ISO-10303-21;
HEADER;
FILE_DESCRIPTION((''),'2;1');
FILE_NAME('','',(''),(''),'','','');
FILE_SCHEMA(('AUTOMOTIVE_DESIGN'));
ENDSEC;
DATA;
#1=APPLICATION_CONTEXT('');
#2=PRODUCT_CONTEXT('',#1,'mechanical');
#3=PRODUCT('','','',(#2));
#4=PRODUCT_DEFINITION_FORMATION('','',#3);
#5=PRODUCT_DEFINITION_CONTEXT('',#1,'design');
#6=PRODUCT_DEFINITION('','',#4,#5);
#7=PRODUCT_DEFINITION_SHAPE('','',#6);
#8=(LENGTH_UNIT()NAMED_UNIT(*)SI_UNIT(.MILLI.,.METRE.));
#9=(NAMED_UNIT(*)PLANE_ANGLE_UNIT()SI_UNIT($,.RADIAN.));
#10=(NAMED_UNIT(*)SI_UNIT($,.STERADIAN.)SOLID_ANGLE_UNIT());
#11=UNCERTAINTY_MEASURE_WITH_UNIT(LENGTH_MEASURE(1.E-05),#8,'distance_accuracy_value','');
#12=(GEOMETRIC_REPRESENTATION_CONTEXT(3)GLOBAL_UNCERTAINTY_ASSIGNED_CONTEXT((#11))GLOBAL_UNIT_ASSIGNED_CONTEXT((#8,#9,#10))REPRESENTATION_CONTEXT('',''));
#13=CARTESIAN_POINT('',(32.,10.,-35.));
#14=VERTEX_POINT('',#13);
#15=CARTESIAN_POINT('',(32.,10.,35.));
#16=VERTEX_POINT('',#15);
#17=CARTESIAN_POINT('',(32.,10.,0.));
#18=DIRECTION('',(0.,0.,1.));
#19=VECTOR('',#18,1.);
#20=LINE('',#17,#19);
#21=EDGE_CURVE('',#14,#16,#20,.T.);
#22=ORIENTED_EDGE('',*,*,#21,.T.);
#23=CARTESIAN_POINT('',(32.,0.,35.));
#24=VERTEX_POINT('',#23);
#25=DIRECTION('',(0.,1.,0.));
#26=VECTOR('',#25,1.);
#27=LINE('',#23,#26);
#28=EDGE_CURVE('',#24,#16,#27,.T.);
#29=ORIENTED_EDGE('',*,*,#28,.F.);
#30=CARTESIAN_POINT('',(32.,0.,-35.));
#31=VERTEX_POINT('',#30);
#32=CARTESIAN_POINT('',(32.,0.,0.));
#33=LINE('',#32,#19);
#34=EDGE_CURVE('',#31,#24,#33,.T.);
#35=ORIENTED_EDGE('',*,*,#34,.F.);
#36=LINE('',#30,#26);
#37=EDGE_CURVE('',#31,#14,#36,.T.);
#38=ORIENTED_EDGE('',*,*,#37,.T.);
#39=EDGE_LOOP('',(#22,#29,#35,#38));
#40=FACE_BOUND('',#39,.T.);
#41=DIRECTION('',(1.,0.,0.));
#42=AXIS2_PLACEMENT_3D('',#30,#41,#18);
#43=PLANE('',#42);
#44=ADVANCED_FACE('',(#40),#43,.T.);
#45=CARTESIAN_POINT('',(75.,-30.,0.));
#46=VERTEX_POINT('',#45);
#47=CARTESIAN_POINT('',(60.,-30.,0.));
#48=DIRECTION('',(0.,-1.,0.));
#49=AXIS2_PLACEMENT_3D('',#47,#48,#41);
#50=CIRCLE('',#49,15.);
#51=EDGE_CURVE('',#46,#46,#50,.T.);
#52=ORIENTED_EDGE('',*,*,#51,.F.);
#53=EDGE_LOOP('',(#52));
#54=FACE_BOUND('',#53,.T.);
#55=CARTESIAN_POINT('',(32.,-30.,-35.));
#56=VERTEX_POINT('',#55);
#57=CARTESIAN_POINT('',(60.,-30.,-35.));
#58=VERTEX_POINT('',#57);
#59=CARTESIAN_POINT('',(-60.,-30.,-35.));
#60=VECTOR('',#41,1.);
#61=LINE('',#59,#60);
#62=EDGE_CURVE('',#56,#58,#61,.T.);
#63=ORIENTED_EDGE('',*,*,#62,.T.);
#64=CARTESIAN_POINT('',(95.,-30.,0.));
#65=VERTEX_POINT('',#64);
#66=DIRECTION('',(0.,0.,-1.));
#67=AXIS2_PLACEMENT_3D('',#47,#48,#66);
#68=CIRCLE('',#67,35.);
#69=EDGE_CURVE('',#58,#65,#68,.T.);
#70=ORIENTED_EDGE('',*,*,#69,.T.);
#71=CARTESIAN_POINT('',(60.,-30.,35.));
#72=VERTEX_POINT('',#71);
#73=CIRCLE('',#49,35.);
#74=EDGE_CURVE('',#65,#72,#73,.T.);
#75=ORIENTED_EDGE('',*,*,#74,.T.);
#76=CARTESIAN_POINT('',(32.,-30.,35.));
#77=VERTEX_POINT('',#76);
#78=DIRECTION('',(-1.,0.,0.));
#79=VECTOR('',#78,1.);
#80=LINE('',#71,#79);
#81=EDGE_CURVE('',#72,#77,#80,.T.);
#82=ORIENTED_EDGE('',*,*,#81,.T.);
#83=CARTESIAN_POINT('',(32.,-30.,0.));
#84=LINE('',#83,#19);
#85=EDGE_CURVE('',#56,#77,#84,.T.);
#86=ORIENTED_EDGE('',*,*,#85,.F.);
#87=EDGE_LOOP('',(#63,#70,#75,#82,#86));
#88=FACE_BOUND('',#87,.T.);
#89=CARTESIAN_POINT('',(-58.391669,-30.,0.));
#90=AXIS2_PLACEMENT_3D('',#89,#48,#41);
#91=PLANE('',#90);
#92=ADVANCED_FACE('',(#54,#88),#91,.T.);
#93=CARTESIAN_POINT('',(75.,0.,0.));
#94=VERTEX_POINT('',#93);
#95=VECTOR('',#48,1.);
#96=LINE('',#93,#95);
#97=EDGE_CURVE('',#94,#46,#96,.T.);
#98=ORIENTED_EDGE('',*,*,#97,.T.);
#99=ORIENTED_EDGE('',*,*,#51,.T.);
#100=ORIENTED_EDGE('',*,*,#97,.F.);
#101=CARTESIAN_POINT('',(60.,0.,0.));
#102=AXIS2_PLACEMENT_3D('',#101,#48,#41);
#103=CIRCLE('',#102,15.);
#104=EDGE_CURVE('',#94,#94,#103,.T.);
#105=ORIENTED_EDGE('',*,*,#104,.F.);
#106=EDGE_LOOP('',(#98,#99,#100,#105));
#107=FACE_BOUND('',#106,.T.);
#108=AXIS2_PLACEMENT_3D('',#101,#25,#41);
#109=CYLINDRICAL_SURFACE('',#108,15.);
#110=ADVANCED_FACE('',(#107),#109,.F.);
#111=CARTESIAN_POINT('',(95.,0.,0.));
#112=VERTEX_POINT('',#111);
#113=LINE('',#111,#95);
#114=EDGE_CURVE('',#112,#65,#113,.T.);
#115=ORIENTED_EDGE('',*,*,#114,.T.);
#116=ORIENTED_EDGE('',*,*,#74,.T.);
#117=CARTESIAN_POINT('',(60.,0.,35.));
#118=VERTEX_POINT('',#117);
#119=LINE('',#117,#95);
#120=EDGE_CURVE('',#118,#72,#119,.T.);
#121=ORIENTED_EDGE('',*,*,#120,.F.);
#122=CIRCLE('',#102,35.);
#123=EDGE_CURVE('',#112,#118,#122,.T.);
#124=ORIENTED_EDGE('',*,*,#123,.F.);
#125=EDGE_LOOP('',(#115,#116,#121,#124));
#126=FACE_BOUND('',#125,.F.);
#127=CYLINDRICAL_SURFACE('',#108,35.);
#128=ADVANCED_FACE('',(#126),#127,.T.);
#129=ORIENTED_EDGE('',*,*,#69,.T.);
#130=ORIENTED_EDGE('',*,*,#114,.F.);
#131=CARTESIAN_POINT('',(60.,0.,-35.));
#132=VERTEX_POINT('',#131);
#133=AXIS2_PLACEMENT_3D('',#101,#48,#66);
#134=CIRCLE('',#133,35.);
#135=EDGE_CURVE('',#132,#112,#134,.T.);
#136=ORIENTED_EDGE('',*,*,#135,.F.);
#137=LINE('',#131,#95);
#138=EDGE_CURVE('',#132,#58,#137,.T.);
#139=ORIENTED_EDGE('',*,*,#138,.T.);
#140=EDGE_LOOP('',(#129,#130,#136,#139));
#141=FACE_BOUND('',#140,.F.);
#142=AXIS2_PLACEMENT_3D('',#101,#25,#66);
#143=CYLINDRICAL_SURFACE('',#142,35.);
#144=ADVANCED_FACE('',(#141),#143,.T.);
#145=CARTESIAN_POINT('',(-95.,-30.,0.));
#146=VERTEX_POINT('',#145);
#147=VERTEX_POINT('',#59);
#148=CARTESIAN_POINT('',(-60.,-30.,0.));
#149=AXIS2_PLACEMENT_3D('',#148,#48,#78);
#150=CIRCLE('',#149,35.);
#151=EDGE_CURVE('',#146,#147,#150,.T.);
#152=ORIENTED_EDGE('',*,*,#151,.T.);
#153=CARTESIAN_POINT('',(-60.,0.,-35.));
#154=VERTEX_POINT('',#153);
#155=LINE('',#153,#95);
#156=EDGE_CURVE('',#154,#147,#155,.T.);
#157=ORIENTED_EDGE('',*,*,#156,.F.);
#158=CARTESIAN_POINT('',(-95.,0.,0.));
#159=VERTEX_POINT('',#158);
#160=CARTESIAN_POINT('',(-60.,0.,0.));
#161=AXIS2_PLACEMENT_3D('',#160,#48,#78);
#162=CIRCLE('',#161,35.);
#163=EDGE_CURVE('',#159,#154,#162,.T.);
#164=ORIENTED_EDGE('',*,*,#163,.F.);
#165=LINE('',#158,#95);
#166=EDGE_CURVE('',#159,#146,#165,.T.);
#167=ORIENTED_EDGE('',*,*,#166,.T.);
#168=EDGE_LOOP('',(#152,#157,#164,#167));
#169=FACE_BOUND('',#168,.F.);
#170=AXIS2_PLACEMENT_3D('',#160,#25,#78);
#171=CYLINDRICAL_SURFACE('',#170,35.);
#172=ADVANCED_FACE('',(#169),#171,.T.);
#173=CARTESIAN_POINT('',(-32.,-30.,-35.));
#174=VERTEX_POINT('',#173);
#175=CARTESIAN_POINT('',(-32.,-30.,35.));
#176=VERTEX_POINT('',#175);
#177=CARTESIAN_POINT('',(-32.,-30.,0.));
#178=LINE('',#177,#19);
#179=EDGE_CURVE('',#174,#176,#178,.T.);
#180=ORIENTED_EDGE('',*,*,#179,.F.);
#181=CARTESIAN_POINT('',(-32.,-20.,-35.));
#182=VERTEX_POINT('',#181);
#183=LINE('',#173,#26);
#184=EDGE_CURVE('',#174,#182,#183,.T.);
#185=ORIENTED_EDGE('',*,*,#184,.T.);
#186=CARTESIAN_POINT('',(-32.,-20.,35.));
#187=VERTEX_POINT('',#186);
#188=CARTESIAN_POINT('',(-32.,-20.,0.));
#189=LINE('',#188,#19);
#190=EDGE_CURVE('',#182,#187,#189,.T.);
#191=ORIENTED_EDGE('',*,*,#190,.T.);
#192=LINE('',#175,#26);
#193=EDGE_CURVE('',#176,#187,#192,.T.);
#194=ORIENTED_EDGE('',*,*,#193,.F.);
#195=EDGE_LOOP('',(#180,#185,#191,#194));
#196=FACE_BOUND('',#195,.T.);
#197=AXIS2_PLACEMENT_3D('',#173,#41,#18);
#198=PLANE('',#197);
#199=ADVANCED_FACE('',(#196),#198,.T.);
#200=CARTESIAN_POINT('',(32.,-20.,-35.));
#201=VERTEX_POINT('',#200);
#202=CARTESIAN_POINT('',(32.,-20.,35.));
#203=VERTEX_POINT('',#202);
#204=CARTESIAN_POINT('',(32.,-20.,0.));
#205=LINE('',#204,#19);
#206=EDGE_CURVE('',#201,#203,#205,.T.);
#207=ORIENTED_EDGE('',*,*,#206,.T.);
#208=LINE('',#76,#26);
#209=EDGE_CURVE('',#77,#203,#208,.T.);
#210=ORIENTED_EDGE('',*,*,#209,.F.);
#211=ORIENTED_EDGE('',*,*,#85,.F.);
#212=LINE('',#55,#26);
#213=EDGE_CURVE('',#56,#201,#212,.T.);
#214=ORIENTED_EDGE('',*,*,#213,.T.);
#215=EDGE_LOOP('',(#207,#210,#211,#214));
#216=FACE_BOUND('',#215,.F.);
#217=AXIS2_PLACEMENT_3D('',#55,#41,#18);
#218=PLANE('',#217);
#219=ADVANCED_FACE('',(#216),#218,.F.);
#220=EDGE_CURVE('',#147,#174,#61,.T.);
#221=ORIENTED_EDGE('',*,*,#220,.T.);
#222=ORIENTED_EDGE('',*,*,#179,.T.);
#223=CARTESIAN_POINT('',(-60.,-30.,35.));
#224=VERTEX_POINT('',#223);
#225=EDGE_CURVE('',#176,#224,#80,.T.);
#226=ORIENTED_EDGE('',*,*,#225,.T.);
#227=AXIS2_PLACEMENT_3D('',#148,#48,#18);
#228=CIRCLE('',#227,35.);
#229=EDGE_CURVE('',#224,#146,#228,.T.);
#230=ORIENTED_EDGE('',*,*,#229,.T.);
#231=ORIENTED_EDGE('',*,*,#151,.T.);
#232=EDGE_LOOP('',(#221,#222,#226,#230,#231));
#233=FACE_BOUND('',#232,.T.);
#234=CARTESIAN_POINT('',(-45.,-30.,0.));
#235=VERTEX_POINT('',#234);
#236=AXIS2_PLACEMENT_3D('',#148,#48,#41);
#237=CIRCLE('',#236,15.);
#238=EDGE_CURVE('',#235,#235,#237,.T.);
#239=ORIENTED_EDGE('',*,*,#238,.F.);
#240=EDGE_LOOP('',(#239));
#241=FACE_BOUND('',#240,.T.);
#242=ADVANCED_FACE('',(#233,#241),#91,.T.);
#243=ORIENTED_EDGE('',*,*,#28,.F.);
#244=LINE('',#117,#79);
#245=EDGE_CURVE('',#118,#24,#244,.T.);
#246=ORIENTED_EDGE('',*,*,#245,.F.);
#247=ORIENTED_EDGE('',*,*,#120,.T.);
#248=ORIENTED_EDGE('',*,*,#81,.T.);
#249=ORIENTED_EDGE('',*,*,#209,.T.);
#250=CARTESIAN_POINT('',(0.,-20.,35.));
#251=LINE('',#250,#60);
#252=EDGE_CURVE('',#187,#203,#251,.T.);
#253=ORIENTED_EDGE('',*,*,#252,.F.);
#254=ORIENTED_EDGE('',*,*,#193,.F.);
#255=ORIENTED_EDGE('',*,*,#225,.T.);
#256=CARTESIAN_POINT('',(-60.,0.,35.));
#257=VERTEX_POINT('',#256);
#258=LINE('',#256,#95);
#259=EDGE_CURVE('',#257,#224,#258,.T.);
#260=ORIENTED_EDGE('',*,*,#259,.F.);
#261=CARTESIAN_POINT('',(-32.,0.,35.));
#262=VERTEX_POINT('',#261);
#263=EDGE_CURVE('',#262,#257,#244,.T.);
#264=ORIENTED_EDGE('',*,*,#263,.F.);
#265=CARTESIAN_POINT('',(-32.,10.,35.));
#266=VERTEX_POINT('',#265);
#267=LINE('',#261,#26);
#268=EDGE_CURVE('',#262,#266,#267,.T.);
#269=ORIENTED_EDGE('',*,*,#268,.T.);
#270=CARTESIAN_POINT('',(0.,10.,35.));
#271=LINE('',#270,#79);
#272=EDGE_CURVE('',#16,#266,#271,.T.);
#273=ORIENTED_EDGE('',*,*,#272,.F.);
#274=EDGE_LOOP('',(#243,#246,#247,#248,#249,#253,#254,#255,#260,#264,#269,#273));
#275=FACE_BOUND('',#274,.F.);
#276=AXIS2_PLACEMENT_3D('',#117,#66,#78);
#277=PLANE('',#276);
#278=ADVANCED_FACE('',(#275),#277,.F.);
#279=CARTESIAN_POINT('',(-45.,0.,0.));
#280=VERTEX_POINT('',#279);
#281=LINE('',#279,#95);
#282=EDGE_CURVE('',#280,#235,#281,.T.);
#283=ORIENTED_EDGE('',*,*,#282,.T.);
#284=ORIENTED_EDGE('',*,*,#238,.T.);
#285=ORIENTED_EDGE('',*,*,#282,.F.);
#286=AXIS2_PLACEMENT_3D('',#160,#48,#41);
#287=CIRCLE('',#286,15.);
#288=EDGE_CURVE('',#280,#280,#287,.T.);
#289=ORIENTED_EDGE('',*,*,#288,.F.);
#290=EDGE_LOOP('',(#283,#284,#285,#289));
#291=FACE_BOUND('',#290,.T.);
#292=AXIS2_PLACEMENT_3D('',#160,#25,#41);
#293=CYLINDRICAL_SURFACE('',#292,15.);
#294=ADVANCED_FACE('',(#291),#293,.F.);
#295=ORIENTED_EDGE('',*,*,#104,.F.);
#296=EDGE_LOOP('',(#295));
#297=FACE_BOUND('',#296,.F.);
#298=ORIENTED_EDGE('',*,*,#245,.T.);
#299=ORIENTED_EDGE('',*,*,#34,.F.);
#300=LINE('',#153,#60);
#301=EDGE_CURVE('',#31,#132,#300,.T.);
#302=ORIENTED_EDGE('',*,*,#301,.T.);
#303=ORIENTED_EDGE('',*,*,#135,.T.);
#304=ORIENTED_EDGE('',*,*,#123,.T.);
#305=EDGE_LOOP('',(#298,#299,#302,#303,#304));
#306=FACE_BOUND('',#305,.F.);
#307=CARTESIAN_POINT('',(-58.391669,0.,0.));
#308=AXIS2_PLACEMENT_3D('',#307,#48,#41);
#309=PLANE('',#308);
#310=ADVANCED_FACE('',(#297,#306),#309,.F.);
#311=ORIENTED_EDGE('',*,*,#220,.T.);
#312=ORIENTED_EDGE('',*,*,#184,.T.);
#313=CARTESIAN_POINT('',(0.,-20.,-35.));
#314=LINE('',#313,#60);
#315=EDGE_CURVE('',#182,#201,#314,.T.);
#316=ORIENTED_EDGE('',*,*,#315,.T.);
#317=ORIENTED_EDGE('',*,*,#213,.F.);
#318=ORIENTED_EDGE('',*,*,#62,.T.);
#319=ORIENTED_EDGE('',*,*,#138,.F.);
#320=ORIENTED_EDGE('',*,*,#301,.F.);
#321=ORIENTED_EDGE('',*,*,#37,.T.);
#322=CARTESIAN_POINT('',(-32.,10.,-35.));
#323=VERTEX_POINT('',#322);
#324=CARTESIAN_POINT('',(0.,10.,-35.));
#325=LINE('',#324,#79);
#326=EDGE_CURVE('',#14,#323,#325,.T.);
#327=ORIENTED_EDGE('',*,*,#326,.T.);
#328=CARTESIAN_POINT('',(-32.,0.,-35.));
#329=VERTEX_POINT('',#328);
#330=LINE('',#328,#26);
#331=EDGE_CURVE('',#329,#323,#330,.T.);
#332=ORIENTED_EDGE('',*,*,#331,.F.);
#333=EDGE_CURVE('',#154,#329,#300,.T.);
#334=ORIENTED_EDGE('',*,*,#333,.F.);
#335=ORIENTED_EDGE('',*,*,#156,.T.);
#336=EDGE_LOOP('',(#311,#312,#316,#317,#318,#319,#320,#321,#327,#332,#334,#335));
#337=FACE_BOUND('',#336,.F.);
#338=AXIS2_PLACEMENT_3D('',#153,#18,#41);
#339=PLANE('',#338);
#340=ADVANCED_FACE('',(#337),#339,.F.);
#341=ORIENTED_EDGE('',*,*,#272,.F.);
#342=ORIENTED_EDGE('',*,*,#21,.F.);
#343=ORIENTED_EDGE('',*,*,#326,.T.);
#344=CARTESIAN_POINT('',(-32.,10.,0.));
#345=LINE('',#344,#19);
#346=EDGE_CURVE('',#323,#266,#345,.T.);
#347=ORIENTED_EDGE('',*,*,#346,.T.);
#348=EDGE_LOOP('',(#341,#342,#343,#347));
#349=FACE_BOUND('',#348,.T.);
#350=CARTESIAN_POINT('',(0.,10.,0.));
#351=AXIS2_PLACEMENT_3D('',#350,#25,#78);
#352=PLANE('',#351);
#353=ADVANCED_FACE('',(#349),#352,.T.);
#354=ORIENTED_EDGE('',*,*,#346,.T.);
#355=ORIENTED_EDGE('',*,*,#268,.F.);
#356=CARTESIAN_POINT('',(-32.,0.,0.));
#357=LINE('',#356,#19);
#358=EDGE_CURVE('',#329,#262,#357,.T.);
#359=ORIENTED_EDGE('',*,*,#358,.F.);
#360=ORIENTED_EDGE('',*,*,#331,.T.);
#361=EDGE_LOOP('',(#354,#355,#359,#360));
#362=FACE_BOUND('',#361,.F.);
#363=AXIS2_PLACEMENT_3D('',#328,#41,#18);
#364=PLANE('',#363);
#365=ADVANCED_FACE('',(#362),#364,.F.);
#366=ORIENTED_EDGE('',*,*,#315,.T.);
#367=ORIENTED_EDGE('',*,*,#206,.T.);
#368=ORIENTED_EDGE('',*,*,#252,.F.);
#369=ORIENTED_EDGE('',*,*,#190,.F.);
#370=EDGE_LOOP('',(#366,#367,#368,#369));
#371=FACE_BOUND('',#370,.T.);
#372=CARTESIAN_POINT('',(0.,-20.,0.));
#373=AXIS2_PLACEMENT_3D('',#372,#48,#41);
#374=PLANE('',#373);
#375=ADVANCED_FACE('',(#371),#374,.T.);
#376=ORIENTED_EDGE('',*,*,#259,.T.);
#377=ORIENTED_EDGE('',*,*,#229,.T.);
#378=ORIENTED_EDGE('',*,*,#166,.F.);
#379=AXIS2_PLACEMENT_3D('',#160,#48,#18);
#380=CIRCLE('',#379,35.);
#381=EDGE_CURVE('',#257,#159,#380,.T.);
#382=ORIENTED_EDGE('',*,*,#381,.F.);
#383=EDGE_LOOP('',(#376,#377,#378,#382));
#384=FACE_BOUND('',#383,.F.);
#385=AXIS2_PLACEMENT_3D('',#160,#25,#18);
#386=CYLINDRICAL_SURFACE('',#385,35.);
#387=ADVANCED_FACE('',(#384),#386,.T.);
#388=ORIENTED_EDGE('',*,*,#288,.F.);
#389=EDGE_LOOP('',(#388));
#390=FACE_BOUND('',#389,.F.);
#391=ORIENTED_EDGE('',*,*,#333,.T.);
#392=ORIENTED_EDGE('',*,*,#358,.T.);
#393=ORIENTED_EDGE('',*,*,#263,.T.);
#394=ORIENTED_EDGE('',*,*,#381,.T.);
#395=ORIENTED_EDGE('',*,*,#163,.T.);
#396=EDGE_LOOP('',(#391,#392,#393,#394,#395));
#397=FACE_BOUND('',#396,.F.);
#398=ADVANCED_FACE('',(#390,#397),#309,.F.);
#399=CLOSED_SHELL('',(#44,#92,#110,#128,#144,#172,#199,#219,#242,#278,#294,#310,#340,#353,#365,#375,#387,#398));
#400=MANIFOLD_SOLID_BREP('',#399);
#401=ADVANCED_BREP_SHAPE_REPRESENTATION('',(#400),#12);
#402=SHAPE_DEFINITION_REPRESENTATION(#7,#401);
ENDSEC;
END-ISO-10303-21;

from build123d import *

# Parameters (mm, degrees)
F0_R     = 15
F0_W     = 32
F0_H     = 70
F1_DEPTH = 30
F2_W     = 64
F2_H     = 70
F3_DEPTH = 10
F4_W     = 64
F4_H     = 70
F5_DEPTH = 10


with BuildPart() as f1:
    # F0 (on Front) → F1 (new body)
    with BuildSketch(Plane.XZ):
        with BuildLine():
            Line((-32, -35), (-32, 35))
            Line((-32, 35), (-60, 35))
            ThreePointArc((-60, 35), (-84.7487373415, 24.7487373415), (-95, 0))
            ThreePointArc((-95, 0), (-84.7487373415, -24.7487373415), (-60, -35))
            Line((-60, -35), (-32, -35))
        make_face()
        with Locations((-60, 0)):
            Circle(F0_R, mode=Mode.SUBTRACT)
        with Locations((-16, 0)):
            Rectangle(F0_W, F0_H)
        with Locations((16, 0)):
            Rectangle(F0_W, F0_H)
        with BuildLine():
            ThreePointArc((95, 0), (84.7487373415, 24.7487373415), (60, 35))
            Line((60, 35), (32, 35))
            Line((32, 35), (32, -35))
            Line((32, -35), (60, -35))
            ThreePointArc((60, -35), (84.7487373415, -24.7487373415), (95, 0))
        make_face()
        with Locations((60, 0)):
            Circle(F0_R, mode=Mode.SUBTRACT)
    extrude(amount=F1_DEPTH)

    # F2 (on face) → F3 (cut)
    with BuildSketch(Plane.XZ.offset(30)):
        Rectangle(F2_W, F2_H)
    extrude(amount=-F3_DEPTH, mode=Mode.SUBTRACT)

    # F4 (on face) → F5 (join)
    with BuildSketch(Plane(origin=(0, 0, 0), x_dir=(-1, 0, 0), z_dir=(0, 1, 0))):
        Rectangle(F4_W, F4_H)
    extrude(amount=F5_DEPTH)


solid = f1.part
